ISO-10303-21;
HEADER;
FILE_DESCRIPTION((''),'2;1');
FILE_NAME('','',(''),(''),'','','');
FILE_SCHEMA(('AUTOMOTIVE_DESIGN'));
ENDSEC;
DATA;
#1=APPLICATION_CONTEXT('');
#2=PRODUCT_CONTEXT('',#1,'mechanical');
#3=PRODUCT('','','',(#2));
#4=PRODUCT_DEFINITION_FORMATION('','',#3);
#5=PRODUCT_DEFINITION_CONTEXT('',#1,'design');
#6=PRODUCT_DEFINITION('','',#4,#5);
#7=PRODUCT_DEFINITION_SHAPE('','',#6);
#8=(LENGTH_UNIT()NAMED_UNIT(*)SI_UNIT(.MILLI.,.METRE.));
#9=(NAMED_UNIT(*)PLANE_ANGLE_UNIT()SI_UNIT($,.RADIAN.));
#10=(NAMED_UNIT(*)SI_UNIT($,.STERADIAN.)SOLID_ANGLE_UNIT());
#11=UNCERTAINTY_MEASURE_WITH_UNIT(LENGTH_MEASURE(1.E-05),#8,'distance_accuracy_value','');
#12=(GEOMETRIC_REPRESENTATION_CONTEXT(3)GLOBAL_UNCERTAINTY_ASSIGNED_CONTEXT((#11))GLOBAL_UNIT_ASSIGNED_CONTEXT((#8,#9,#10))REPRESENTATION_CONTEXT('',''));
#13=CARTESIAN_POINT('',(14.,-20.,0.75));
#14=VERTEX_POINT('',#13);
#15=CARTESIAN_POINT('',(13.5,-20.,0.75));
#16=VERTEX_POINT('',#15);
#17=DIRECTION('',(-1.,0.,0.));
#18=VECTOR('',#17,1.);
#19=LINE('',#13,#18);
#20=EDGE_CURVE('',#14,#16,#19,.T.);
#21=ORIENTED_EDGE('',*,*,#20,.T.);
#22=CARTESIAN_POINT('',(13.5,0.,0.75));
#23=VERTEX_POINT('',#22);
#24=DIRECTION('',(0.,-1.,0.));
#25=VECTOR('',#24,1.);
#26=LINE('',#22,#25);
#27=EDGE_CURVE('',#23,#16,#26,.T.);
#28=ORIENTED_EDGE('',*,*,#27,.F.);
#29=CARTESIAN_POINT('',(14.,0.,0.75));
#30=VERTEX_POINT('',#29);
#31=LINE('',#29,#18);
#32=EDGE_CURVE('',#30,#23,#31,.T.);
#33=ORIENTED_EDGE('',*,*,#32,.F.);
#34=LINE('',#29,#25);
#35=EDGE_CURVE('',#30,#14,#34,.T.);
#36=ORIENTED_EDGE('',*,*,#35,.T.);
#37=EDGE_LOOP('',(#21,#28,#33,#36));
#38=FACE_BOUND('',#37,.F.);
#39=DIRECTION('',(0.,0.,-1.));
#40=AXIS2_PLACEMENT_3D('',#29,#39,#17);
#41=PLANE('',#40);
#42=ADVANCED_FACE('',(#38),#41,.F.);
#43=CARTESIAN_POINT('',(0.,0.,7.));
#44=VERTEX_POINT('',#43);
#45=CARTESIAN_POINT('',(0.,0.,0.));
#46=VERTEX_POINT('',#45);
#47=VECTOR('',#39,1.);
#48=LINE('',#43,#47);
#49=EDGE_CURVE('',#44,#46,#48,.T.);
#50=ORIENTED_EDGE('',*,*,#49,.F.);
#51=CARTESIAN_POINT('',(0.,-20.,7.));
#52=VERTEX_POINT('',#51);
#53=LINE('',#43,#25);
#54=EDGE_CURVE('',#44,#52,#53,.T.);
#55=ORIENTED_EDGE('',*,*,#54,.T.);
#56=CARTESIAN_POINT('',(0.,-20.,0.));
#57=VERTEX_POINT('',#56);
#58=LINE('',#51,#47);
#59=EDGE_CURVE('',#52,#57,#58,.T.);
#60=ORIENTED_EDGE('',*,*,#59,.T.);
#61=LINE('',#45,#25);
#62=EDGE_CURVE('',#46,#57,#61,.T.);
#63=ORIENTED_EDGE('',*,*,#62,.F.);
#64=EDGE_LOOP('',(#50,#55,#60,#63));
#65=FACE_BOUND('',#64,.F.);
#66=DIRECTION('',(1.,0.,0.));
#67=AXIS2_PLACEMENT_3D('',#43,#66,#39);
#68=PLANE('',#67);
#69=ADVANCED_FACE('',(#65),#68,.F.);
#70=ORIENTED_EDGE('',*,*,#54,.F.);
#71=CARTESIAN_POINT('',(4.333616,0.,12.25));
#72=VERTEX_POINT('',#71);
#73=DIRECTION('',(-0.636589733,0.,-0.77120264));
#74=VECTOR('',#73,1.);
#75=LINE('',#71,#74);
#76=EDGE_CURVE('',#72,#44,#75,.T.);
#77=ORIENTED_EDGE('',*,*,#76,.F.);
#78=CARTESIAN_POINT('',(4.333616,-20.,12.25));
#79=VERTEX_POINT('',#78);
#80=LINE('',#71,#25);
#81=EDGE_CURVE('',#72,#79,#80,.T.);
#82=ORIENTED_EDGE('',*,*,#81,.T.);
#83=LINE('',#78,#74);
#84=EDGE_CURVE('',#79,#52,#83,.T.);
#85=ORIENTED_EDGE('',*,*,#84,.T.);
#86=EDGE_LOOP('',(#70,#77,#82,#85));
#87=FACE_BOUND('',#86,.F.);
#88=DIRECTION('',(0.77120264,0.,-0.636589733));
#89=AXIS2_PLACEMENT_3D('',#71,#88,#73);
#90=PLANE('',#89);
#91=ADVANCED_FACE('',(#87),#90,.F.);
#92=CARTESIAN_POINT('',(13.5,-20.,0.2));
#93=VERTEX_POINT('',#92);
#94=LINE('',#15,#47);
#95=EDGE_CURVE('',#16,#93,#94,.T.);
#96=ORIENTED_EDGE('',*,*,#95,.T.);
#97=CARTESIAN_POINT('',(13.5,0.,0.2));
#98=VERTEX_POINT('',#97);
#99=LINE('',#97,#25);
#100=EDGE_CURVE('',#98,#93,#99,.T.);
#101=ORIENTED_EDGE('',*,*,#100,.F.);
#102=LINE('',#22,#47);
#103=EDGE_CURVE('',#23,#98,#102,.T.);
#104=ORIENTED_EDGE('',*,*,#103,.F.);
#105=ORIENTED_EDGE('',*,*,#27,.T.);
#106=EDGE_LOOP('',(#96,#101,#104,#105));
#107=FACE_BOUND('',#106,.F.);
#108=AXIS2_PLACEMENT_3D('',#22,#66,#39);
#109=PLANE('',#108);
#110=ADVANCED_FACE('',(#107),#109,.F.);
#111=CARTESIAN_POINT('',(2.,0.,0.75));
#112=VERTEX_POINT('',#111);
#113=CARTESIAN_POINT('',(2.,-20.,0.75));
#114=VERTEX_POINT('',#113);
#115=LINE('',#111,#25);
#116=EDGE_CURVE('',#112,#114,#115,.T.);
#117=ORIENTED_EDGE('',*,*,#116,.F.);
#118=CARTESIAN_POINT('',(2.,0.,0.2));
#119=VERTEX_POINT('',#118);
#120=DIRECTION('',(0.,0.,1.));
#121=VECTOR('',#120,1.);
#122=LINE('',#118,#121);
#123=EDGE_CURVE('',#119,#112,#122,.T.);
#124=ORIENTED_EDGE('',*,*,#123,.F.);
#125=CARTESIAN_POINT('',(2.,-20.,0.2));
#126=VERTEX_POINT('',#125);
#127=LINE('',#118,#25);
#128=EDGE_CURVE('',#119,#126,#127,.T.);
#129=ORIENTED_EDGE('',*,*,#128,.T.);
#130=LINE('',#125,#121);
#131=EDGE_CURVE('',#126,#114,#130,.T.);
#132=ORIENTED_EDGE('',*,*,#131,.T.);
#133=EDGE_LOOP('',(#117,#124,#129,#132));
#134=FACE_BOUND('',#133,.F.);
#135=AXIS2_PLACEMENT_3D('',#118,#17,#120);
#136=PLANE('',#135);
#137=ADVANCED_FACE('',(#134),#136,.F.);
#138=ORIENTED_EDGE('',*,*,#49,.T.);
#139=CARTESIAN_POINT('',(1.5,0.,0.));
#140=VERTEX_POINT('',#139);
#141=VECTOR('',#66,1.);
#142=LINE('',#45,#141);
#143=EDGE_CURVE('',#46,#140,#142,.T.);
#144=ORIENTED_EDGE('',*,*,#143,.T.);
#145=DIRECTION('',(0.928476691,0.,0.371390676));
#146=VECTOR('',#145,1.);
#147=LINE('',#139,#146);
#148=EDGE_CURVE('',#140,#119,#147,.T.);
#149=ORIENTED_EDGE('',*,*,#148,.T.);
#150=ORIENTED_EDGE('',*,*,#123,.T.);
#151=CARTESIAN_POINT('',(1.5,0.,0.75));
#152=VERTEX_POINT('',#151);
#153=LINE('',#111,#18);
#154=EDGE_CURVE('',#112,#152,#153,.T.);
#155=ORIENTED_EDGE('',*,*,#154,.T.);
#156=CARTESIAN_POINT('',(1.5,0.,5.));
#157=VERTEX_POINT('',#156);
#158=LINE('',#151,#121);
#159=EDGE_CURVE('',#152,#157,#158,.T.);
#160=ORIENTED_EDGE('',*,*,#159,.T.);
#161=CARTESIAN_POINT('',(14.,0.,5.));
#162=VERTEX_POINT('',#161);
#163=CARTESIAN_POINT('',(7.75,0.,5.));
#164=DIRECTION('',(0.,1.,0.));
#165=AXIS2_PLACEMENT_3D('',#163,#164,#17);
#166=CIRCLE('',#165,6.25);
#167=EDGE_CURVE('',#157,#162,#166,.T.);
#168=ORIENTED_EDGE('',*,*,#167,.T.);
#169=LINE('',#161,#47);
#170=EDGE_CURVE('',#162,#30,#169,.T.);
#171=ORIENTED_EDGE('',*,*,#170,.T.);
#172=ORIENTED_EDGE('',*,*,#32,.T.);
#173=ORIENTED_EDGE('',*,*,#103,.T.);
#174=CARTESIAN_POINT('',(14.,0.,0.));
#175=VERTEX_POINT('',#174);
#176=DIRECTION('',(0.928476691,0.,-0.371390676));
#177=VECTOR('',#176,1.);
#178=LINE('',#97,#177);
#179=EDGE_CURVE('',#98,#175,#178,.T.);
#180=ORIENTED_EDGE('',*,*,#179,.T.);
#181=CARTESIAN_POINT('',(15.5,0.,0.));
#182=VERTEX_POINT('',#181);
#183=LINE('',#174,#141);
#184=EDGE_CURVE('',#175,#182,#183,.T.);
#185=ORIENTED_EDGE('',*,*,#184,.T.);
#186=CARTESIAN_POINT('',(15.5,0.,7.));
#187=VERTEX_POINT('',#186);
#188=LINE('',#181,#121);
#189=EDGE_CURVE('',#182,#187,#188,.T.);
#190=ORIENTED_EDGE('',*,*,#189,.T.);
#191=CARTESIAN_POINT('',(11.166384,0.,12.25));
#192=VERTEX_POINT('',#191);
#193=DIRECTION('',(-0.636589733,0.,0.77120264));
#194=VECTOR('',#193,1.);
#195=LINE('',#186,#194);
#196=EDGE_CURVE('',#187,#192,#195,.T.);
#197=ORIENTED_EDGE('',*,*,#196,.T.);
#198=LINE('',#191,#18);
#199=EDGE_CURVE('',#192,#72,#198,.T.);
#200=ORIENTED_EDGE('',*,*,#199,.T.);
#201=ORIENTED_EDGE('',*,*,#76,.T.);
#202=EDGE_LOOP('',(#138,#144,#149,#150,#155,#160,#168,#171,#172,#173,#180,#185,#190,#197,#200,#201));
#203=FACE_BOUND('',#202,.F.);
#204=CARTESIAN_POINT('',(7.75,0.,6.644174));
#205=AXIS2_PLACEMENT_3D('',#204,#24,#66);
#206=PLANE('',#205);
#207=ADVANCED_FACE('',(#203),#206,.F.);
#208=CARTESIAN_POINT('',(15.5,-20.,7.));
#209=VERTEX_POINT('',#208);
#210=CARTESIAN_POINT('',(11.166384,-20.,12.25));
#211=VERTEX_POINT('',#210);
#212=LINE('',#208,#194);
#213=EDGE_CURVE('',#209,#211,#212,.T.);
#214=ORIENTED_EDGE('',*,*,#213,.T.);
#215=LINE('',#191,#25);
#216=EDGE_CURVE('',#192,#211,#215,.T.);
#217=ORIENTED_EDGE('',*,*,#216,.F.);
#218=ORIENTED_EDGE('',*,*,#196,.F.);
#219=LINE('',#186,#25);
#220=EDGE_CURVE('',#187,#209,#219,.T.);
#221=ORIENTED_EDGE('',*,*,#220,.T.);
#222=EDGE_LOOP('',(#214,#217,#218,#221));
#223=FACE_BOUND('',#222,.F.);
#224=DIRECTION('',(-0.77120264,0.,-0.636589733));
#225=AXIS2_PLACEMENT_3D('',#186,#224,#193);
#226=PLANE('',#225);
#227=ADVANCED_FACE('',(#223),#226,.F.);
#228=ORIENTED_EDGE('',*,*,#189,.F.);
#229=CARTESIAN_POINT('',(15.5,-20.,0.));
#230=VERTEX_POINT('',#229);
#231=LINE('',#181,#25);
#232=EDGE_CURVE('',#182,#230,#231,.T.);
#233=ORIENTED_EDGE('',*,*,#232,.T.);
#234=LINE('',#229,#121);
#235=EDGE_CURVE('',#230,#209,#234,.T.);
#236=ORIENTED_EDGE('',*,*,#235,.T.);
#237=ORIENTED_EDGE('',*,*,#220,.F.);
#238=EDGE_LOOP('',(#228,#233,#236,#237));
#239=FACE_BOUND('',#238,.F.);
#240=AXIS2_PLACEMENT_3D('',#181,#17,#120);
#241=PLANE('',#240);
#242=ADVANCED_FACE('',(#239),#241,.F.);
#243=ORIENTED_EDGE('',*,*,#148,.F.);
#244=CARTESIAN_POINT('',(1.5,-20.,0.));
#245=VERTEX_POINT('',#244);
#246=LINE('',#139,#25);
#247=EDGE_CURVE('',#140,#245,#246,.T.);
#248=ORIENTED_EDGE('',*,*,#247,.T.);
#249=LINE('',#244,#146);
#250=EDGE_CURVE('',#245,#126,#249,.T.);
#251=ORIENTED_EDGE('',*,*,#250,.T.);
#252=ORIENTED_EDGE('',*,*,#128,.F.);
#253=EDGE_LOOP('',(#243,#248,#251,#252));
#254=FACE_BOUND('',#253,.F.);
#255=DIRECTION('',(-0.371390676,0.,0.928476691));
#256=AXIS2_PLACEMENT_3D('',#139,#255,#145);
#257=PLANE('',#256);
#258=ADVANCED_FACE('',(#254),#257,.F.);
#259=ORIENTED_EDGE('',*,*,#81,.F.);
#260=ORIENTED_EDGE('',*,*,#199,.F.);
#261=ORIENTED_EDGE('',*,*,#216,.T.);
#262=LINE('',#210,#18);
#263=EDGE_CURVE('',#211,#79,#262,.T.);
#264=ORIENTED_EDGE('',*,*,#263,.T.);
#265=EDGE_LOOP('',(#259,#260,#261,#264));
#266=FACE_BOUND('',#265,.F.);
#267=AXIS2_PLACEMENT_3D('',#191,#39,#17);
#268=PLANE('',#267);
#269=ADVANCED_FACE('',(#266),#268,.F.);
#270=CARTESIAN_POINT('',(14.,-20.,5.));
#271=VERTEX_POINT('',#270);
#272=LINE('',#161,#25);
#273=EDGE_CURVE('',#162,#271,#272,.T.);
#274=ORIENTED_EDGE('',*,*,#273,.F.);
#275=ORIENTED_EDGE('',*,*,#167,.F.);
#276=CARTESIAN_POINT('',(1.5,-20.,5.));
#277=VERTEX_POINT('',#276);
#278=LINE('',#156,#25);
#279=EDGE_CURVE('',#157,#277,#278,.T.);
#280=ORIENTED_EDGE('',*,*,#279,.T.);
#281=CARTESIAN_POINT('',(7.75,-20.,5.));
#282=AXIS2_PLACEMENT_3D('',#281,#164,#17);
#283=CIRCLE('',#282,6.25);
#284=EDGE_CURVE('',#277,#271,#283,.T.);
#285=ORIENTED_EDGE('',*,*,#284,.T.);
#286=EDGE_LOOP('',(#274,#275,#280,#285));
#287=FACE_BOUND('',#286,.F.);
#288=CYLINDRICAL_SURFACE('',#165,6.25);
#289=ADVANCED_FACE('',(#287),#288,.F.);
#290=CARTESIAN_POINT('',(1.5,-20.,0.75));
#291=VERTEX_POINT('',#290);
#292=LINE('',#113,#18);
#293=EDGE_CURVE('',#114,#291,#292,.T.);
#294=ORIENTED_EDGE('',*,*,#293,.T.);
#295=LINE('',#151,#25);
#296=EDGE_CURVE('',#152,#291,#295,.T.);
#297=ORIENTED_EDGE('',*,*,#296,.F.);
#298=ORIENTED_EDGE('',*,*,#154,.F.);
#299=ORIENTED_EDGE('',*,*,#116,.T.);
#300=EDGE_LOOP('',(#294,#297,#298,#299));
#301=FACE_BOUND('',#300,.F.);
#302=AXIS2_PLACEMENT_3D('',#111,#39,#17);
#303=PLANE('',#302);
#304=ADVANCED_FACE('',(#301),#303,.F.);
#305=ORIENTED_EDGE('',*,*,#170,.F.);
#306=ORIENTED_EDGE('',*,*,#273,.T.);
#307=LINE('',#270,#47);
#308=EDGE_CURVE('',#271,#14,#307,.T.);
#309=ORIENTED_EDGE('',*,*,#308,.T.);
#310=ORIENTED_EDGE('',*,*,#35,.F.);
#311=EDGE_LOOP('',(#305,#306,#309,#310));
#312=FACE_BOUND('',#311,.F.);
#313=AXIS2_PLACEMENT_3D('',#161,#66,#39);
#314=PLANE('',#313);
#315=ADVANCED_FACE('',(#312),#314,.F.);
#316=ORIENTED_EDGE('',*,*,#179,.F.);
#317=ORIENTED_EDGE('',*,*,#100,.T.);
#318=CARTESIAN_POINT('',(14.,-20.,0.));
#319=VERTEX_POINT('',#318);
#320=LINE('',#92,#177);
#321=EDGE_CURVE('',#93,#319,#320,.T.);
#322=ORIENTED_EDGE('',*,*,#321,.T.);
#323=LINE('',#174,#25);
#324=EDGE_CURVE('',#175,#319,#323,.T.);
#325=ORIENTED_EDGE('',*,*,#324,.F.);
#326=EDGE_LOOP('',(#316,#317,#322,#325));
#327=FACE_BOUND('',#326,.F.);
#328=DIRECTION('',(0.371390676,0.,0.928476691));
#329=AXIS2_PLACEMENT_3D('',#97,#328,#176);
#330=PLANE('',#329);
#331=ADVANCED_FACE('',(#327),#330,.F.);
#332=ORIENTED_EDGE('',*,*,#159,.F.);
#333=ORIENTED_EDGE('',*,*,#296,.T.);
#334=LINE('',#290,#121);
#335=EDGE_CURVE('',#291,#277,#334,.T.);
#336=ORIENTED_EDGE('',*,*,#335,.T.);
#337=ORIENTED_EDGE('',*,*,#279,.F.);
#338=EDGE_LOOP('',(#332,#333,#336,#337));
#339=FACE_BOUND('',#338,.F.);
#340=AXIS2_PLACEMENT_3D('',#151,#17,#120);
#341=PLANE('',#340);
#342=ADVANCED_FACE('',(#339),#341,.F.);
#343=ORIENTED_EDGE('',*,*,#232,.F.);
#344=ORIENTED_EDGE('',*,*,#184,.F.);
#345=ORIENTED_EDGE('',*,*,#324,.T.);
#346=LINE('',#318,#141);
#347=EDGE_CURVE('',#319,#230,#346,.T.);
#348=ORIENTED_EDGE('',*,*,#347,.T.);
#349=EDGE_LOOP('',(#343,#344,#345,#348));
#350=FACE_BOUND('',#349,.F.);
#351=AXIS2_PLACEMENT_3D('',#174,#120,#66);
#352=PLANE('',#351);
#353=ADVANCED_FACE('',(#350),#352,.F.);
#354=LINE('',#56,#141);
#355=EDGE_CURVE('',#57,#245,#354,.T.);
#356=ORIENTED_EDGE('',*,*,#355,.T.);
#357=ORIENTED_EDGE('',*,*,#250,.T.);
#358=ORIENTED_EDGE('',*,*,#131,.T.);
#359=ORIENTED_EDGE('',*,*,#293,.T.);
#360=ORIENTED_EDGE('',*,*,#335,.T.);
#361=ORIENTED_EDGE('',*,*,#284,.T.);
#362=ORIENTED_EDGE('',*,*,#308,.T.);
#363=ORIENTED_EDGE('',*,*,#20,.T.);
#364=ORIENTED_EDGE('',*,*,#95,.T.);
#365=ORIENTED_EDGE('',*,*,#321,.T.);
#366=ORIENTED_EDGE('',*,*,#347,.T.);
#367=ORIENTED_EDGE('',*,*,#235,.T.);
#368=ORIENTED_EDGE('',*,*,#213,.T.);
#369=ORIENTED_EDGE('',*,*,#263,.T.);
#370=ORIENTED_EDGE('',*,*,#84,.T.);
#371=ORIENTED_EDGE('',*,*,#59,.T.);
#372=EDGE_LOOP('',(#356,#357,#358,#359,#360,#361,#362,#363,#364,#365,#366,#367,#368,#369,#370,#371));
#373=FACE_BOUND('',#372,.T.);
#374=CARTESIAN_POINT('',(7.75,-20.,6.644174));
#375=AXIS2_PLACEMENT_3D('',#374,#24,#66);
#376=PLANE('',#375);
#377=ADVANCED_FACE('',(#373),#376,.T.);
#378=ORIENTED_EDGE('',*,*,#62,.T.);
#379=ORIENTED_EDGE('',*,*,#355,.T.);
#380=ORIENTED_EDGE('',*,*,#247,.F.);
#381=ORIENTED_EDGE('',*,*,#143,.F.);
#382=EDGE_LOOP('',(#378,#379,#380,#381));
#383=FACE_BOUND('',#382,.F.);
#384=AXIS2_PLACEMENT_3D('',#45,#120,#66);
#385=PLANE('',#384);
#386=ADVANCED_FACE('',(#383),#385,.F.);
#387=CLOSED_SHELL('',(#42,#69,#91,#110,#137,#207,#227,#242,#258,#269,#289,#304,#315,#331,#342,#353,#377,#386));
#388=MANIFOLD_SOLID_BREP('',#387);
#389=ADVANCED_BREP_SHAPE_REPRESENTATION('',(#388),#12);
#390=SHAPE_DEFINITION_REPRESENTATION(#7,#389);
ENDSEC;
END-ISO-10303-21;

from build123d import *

# Parameters (mm, degrees)
F1_DEPTH = 20


with BuildPart() as f1:
    # F0 (on Front) → F1 (new body)
    with BuildSketch(Plane.XZ):
        with BuildLine():
            Line((0, 7), (0, 0))
            Line((0, 0), (1.5, 0))
            Line((1.5, 0), (2, 0.2))
            Line((2, 0.2), (2, 0.75))
            Line((2, 0.75), (1.5, 0.75))
            Line((1.5, 0.75), (1.5, 5))
            ThreePointArc((1.5, 5), (7.75, 11.25), (14, 5))
            Line((14, 5), (14, 0.75))
            Line((14, 0.75), (13.5, 0.75))
            Line((13.5, 0.75), (13.5, 0.2))
            Line((13.5, 0.2), (14, 0))
            Line((14, 0), (15.5, 0))
            Line((15.5, 0), (15.5, 7))
            Line((15.5, 7), (11.166384, 12.25))
            Line((11.166384, 12.25), (7.75, 12.25))
            Line((7.75, 12.25), (4.333616, 12.25))
            Line((4.333616, 12.25), (0, 7))
        make_face()
    extrude(amount=F1_DEPTH)


solid = f1.part
